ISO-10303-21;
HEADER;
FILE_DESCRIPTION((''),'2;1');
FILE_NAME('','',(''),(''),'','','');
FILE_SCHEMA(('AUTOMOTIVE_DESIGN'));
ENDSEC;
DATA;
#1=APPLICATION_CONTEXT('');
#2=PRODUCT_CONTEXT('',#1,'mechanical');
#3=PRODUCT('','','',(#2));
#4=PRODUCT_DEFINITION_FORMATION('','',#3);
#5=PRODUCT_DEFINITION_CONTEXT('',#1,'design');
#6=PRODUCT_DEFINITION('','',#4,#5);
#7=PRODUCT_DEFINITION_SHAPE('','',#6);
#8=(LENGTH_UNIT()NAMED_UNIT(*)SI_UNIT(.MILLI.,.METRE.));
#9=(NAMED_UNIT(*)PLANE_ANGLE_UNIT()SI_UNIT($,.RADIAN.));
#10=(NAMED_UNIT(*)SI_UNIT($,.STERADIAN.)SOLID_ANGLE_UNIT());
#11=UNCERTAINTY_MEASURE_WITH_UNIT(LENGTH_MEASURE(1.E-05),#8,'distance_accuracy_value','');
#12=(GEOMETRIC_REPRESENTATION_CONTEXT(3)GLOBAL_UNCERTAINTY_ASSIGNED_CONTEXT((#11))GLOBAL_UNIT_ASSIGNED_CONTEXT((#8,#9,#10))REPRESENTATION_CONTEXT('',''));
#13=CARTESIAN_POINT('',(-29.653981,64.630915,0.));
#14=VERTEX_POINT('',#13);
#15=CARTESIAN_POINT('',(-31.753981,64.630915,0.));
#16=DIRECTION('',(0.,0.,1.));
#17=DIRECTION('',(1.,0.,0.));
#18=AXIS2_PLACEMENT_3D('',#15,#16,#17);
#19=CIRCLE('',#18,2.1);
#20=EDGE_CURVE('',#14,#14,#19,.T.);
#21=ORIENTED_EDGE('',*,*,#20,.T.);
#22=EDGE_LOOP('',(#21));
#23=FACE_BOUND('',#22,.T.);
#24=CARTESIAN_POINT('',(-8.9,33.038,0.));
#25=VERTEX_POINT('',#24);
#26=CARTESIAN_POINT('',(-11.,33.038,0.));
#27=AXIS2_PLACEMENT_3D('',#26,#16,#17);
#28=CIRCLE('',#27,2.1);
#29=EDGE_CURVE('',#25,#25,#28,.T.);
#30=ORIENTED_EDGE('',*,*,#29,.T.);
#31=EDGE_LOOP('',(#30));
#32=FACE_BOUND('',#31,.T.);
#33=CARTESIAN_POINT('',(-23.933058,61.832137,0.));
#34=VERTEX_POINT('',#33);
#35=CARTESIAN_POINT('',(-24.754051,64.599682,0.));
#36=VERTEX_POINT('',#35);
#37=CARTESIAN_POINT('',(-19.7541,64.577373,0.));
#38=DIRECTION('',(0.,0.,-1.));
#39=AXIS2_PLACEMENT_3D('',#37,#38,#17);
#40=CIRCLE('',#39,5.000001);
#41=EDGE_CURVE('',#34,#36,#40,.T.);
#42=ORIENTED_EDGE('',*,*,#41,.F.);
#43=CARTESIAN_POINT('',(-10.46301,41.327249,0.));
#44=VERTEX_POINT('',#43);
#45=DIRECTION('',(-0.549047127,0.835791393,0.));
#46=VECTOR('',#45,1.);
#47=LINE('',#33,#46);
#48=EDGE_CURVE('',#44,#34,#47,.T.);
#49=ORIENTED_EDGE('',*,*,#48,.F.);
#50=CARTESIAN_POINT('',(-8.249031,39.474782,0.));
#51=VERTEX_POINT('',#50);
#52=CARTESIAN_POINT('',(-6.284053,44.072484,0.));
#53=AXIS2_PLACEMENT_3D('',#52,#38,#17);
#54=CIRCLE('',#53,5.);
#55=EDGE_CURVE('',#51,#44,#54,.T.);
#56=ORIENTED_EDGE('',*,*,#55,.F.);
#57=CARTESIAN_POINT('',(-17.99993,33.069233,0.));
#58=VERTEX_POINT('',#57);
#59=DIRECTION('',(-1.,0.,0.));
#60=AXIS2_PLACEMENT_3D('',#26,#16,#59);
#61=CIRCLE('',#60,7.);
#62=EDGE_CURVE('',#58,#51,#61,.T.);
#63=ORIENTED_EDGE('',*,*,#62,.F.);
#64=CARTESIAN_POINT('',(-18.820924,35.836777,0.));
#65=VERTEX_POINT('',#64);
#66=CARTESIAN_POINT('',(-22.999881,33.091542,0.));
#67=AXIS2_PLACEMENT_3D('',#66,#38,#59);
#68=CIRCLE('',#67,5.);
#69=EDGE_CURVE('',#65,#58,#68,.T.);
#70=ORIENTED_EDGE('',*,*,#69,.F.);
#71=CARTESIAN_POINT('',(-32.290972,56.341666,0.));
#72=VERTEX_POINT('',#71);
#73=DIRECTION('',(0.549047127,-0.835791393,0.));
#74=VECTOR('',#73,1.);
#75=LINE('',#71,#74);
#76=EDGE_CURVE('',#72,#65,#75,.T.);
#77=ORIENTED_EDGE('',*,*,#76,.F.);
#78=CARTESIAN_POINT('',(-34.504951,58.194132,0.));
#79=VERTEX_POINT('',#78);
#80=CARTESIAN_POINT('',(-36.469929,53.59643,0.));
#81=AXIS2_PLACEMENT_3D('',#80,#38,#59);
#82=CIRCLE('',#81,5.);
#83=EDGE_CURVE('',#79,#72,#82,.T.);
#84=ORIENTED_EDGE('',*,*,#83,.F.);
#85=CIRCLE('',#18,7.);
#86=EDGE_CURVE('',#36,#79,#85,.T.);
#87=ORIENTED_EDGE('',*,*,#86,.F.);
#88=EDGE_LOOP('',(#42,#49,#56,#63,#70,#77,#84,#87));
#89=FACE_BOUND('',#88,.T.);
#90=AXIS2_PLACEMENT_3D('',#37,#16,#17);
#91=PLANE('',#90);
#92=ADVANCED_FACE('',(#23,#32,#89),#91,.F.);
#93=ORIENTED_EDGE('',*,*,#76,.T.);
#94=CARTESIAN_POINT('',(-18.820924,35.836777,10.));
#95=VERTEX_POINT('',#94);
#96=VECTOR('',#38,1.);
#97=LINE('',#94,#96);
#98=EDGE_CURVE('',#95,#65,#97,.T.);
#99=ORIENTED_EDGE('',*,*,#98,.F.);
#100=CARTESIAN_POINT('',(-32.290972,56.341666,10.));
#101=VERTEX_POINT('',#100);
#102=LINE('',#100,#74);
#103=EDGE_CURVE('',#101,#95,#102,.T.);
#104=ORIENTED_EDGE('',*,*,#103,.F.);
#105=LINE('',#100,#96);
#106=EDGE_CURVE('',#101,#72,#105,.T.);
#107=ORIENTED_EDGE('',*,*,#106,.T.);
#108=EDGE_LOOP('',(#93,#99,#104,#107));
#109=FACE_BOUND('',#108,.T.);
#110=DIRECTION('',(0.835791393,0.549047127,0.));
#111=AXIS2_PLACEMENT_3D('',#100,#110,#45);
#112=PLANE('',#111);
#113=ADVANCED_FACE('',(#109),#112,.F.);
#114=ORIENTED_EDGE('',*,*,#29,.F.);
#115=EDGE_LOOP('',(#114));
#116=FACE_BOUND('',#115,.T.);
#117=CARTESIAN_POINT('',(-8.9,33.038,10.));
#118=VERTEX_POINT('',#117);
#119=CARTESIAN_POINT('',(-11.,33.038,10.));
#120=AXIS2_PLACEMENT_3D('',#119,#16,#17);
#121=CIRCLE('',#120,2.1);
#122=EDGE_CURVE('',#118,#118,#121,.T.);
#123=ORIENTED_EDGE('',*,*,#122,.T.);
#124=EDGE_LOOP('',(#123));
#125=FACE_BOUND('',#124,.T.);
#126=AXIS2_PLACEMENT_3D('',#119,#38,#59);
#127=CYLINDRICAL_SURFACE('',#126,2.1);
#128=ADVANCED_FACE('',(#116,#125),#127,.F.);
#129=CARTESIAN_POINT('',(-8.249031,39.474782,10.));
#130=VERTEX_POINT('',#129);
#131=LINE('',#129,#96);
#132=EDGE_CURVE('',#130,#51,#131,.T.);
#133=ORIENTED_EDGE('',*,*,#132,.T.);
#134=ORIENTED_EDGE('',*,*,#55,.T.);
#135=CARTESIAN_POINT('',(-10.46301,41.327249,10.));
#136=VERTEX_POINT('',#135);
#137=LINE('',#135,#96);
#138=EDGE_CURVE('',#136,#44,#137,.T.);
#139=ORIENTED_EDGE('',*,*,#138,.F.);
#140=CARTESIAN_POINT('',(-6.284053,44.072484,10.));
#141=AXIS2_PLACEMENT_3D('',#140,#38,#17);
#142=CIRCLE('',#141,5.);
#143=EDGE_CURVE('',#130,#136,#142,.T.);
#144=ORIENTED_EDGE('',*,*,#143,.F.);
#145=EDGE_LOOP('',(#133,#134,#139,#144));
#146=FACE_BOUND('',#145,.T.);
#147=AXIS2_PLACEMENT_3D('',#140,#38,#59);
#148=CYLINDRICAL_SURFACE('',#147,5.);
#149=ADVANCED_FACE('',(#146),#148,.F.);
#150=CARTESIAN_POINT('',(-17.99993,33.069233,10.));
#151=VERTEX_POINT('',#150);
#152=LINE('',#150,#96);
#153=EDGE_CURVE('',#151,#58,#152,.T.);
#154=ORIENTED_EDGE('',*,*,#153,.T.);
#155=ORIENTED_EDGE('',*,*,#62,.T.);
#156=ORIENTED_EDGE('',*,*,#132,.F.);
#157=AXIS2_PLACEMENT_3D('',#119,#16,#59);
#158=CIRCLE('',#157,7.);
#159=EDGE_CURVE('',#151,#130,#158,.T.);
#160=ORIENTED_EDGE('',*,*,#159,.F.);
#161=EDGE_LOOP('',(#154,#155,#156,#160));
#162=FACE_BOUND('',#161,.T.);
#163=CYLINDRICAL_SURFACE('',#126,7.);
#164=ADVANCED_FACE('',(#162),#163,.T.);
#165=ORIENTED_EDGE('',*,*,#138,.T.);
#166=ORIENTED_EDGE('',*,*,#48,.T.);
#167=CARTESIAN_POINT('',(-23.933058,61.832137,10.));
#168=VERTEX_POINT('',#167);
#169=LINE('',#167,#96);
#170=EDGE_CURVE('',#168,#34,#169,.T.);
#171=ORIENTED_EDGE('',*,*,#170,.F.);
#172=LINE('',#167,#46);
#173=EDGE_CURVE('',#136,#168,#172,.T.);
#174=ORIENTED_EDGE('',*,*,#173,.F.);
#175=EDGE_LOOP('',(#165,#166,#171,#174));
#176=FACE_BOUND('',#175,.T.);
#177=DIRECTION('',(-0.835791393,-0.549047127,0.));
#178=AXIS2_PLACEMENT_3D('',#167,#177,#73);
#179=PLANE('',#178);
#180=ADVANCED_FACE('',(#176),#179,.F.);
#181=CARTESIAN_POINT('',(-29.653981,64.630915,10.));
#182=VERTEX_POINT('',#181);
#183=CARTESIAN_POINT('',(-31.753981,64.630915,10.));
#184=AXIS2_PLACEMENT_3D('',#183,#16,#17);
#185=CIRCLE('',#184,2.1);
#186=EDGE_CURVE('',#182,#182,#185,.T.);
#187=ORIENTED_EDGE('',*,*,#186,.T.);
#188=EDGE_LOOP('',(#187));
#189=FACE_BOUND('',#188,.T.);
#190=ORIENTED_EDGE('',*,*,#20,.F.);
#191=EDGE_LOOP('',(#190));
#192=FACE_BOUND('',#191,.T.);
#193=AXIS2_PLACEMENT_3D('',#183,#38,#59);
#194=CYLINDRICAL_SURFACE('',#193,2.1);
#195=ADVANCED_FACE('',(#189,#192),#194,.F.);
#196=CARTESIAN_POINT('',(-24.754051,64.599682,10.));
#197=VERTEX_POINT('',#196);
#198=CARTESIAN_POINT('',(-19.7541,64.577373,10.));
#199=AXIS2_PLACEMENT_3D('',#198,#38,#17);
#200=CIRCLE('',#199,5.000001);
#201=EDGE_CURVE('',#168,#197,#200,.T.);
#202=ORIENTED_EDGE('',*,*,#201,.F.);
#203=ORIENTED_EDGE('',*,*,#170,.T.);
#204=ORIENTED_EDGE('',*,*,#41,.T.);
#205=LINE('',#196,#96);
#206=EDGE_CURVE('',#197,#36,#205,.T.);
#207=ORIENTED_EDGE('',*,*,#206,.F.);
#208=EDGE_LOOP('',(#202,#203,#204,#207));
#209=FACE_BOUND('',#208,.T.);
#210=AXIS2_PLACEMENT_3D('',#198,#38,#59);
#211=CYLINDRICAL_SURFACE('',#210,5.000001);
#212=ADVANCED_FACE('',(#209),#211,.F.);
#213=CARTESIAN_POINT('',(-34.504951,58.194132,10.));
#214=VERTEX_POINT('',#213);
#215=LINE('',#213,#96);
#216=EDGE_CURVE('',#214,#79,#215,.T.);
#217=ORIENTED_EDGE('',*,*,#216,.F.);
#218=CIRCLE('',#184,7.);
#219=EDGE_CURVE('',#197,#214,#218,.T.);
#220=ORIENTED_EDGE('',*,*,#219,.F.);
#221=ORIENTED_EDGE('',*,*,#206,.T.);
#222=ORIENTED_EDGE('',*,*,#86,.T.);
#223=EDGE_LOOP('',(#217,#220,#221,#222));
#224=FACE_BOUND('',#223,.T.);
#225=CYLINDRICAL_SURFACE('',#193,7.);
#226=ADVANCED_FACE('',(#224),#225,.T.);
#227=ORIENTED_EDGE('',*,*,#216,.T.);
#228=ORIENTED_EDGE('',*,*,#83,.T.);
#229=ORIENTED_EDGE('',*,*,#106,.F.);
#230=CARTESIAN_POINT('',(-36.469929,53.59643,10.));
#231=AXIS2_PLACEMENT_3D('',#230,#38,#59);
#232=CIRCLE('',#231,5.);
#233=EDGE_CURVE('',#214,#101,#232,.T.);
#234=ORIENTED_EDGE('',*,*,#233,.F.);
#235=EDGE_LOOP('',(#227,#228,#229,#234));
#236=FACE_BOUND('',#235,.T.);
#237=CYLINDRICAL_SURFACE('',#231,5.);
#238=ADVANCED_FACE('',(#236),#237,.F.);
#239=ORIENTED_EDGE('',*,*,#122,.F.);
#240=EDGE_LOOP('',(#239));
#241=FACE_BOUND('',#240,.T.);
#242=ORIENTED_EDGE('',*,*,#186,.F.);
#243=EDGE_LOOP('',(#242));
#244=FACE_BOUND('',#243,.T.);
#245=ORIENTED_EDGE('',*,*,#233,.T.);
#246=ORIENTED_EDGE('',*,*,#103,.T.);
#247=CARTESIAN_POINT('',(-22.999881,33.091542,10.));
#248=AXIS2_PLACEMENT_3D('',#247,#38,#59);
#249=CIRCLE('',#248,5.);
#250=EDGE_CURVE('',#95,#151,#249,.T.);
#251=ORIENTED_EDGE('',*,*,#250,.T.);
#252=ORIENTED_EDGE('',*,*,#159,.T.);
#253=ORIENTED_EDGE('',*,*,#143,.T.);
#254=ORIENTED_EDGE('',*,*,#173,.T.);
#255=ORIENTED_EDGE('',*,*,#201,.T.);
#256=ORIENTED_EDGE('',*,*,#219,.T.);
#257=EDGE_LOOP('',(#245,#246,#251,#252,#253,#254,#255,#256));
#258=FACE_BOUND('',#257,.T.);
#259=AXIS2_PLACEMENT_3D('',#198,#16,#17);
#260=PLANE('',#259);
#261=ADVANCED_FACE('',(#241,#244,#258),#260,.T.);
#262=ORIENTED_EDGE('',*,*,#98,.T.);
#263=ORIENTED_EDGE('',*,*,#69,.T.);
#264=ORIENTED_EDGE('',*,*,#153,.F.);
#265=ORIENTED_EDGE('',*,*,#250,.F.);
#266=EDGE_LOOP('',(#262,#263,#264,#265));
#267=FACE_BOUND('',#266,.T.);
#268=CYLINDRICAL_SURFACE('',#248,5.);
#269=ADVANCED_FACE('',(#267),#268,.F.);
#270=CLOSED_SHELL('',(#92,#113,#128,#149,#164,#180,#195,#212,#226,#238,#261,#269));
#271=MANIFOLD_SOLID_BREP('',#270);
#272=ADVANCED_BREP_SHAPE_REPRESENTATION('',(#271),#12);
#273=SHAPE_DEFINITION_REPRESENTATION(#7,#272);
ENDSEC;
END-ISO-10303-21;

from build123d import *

# Parameters (mm, degrees)
CROQUIS1_R              = 2.1
SALIENTE_EXTRUIR1_DEPTH = 10


with BuildPart() as part:
    # Croquis1 → Saliente-Extruir1 (new body)
    with BuildSketch(Plane.XY):
        with BuildLine():
            Line((-32.290971733, 56.341666114), (-18.820923588, 35.836777273))
            ThreePointArc((-18.820923588, 35.836777273), (-18.206352607, 34.513543688), (-17.999930323, 33.069232623))
            ThreePointArc((-17.999930323, 33.069232623), (-7.156670206, 27.187460188), (-8.249030533, 39.474782348))
            ThreePointArc((-8.249030533, 39.474782348), (-9.492618022, 40.237760126), (-10.463009658, 41.327248541))
            Line((-10.463009658, 41.327248541), (-23.933057655, 61.832137156))
            ThreePointArc((-23.933057655, 61.832137156), (-24.54762873, 63.155370924), (-24.754051068, 64.59968219))
            ThreePointArc((-24.754051068, 64.59968219), (-35.597311345, 70.481454363), (-34.504950654, 58.19413222))
            ThreePointArc((-34.504950654, 58.19413222), (-33.261363284, 57.431154458), (-32.290971733, 56.341666114))
        make_face()
        with Locations((-31.753981392, 64.630914655)):
            Circle(CROQUIS1_R, mode=Mode.SUBTRACT)
        with Locations((-11, 33.038)):
            Circle(CROQUIS1_R, mode=Mode.SUBTRACT)
    extrude(amount=SALIENTE_EXTRUIR1_DEPTH)


solid = part.part
